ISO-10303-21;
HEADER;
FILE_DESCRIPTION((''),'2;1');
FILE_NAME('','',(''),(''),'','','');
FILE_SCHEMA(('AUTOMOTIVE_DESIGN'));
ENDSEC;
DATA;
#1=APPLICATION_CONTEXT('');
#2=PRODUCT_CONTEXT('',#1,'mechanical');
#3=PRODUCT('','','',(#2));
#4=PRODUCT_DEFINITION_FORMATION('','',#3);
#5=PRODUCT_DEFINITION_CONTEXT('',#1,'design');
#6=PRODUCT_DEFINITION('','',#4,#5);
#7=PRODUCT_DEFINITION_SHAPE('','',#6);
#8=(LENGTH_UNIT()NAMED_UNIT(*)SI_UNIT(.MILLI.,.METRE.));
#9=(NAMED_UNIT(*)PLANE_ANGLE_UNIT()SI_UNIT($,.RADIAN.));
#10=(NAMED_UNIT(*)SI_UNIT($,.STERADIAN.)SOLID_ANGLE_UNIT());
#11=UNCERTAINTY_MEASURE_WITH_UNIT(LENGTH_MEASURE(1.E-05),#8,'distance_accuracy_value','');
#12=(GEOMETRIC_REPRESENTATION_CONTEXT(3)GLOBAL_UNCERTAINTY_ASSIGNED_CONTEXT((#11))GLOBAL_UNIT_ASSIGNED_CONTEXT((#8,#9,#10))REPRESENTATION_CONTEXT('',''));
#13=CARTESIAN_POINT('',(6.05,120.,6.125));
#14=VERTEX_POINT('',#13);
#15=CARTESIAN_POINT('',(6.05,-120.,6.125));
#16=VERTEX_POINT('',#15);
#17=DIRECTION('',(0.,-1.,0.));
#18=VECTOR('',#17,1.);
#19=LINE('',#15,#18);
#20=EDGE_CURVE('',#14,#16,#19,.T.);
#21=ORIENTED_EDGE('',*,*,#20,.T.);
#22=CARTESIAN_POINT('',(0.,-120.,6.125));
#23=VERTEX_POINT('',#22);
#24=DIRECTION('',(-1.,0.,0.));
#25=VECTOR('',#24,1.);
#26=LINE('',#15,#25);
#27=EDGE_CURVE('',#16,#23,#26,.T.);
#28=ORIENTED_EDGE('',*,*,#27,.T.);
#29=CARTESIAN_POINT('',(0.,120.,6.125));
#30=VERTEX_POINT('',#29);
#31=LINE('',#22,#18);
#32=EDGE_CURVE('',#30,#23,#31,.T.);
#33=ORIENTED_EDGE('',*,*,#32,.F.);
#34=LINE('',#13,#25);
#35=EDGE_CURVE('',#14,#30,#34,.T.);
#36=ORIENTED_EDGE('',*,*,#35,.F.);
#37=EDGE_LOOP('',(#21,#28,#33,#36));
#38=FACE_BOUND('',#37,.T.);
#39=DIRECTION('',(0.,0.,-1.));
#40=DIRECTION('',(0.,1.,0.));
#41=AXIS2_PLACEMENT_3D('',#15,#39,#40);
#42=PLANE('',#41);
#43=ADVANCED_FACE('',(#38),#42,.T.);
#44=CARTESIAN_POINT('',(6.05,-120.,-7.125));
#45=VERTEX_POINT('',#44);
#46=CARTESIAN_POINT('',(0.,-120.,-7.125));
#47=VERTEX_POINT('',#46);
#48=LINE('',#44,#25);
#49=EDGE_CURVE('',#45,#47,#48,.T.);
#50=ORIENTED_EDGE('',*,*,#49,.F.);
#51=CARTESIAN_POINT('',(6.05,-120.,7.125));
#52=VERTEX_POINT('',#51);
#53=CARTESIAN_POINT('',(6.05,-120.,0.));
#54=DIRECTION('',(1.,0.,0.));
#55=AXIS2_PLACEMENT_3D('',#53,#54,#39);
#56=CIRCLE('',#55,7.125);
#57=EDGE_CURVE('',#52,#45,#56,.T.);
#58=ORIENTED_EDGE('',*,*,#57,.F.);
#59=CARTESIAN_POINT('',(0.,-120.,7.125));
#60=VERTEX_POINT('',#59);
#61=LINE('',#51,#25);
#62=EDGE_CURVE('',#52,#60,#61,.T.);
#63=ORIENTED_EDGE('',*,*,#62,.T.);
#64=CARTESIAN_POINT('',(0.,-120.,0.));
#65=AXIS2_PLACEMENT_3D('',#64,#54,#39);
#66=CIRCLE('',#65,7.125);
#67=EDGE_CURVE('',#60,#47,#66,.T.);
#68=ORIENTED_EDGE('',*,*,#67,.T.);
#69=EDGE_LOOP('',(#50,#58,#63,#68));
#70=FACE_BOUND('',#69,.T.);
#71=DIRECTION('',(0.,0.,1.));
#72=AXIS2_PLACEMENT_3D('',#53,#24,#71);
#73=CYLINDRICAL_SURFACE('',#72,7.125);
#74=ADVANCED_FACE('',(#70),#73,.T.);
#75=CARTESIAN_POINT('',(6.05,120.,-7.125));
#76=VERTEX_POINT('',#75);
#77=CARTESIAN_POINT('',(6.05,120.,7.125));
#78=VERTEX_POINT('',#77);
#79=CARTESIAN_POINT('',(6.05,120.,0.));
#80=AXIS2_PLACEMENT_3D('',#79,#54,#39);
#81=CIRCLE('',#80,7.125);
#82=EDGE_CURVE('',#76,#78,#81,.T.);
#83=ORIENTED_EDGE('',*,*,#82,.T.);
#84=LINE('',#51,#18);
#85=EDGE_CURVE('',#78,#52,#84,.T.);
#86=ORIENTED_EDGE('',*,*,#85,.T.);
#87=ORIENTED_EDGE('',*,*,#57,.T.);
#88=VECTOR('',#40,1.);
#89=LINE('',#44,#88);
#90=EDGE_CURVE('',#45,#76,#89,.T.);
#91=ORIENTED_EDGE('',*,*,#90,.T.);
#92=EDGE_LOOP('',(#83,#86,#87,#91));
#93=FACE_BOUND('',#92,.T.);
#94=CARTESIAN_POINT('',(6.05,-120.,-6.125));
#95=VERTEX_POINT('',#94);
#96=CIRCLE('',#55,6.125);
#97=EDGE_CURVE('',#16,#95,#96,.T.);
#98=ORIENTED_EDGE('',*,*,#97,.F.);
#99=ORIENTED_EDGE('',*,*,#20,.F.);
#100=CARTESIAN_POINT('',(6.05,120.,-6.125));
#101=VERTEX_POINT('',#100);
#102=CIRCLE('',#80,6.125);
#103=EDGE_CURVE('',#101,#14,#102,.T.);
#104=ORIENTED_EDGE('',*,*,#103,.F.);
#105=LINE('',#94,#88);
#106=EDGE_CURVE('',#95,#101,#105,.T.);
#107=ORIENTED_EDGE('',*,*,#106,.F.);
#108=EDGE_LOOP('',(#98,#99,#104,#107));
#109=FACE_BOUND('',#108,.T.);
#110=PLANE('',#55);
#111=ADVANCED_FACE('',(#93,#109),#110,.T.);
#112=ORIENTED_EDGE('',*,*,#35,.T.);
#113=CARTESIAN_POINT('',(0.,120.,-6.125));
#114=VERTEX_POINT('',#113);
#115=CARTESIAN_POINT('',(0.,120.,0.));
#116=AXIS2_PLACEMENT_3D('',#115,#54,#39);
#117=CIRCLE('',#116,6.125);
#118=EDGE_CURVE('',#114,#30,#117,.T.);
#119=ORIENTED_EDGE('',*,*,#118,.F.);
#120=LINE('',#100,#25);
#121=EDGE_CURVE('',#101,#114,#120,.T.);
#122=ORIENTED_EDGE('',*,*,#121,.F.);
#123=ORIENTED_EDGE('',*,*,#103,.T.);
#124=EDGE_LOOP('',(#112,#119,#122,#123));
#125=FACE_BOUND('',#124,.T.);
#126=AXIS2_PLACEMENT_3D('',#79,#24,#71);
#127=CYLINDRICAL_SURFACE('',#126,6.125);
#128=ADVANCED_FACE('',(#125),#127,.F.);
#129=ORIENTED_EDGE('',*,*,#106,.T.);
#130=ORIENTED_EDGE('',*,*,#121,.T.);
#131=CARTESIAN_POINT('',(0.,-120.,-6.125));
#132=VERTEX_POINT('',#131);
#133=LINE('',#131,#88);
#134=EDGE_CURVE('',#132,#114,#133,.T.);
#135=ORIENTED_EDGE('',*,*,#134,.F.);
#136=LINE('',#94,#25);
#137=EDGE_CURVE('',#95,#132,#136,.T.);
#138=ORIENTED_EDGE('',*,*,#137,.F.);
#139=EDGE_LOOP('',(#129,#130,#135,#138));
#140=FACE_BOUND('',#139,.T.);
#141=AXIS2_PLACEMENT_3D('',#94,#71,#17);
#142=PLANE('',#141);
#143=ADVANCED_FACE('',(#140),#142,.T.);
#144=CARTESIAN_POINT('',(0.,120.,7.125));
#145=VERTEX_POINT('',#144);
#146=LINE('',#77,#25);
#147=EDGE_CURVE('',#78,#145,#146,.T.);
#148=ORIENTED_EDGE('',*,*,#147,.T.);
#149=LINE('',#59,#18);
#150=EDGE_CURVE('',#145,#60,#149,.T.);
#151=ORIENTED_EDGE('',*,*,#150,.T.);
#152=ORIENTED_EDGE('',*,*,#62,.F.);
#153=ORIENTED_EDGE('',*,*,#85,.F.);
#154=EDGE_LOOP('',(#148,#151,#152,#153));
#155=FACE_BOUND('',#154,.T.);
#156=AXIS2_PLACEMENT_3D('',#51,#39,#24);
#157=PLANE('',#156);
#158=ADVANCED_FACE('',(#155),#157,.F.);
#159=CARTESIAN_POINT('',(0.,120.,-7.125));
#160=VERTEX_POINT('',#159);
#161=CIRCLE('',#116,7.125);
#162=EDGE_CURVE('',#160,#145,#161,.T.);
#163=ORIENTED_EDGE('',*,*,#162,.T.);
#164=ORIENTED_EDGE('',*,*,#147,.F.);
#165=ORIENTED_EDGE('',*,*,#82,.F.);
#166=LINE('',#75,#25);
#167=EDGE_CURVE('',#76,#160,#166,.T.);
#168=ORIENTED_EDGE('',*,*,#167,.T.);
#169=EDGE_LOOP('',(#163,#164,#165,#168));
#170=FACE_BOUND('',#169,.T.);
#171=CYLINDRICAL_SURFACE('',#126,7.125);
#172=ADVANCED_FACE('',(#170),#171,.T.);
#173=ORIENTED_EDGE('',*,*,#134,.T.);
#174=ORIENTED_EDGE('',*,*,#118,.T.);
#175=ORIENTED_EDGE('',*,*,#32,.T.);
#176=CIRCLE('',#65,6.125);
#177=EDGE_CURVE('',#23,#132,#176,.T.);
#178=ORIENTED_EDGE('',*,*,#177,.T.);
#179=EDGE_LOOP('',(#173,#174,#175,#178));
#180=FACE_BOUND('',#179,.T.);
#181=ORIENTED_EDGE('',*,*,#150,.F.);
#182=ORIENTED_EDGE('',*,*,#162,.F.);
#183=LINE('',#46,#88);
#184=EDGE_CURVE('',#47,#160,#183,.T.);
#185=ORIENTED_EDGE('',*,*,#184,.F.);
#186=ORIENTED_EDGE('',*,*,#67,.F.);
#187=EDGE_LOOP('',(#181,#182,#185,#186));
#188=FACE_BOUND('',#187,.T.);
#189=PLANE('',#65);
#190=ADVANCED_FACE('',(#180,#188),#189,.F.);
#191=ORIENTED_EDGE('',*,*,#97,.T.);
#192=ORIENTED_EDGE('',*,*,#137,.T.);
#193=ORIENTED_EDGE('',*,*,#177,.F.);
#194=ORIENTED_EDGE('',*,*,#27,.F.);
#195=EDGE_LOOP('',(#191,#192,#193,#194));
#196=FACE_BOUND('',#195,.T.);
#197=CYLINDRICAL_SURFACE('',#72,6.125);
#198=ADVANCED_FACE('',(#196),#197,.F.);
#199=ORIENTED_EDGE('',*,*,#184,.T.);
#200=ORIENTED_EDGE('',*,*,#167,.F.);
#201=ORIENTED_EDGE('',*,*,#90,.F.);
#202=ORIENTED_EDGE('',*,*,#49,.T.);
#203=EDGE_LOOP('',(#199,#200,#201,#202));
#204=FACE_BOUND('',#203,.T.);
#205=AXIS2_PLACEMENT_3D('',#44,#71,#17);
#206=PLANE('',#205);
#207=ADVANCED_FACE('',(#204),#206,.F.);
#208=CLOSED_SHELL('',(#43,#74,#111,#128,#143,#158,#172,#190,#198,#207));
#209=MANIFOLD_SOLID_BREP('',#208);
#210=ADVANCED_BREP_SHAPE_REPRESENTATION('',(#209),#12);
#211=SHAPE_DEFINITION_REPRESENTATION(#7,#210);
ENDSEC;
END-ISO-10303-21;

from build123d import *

# Parameters (mm, degrees)
BOSS_EXTRUDE1_DEPTH = 6.05


with BuildPart() as part:
    # Sketch1 → Boss-Extrude1 (new body)
    with BuildSketch(Plane.YZ):
        with BuildLine():
            Line((-120, 7.125), (120, 7.125))
            ThreePointArc((120, 7.125), (127.125, 0), (120, -7.125))
            Line((120, -7.125), (-120, -7.125))
            ThreePointArc((-120, -7.125), (-127.125, 0), (-120, 7.125))
        make_face()
        with BuildLine():
            Line((-120, 6.125), (120, 6.125))
            ThreePointArc((120, 6.125), (126.125, 0), (120, -6.125))
            Line((120, -6.125), (-120, -6.125))
            ThreePointArc((-120, -6.125), (-126.125, 0), (-120, 6.125))
        make_face(mode=Mode.SUBTRACT)
    extrude(amount=BOSS_EXTRUDE1_DEPTH)


solid = part.part
